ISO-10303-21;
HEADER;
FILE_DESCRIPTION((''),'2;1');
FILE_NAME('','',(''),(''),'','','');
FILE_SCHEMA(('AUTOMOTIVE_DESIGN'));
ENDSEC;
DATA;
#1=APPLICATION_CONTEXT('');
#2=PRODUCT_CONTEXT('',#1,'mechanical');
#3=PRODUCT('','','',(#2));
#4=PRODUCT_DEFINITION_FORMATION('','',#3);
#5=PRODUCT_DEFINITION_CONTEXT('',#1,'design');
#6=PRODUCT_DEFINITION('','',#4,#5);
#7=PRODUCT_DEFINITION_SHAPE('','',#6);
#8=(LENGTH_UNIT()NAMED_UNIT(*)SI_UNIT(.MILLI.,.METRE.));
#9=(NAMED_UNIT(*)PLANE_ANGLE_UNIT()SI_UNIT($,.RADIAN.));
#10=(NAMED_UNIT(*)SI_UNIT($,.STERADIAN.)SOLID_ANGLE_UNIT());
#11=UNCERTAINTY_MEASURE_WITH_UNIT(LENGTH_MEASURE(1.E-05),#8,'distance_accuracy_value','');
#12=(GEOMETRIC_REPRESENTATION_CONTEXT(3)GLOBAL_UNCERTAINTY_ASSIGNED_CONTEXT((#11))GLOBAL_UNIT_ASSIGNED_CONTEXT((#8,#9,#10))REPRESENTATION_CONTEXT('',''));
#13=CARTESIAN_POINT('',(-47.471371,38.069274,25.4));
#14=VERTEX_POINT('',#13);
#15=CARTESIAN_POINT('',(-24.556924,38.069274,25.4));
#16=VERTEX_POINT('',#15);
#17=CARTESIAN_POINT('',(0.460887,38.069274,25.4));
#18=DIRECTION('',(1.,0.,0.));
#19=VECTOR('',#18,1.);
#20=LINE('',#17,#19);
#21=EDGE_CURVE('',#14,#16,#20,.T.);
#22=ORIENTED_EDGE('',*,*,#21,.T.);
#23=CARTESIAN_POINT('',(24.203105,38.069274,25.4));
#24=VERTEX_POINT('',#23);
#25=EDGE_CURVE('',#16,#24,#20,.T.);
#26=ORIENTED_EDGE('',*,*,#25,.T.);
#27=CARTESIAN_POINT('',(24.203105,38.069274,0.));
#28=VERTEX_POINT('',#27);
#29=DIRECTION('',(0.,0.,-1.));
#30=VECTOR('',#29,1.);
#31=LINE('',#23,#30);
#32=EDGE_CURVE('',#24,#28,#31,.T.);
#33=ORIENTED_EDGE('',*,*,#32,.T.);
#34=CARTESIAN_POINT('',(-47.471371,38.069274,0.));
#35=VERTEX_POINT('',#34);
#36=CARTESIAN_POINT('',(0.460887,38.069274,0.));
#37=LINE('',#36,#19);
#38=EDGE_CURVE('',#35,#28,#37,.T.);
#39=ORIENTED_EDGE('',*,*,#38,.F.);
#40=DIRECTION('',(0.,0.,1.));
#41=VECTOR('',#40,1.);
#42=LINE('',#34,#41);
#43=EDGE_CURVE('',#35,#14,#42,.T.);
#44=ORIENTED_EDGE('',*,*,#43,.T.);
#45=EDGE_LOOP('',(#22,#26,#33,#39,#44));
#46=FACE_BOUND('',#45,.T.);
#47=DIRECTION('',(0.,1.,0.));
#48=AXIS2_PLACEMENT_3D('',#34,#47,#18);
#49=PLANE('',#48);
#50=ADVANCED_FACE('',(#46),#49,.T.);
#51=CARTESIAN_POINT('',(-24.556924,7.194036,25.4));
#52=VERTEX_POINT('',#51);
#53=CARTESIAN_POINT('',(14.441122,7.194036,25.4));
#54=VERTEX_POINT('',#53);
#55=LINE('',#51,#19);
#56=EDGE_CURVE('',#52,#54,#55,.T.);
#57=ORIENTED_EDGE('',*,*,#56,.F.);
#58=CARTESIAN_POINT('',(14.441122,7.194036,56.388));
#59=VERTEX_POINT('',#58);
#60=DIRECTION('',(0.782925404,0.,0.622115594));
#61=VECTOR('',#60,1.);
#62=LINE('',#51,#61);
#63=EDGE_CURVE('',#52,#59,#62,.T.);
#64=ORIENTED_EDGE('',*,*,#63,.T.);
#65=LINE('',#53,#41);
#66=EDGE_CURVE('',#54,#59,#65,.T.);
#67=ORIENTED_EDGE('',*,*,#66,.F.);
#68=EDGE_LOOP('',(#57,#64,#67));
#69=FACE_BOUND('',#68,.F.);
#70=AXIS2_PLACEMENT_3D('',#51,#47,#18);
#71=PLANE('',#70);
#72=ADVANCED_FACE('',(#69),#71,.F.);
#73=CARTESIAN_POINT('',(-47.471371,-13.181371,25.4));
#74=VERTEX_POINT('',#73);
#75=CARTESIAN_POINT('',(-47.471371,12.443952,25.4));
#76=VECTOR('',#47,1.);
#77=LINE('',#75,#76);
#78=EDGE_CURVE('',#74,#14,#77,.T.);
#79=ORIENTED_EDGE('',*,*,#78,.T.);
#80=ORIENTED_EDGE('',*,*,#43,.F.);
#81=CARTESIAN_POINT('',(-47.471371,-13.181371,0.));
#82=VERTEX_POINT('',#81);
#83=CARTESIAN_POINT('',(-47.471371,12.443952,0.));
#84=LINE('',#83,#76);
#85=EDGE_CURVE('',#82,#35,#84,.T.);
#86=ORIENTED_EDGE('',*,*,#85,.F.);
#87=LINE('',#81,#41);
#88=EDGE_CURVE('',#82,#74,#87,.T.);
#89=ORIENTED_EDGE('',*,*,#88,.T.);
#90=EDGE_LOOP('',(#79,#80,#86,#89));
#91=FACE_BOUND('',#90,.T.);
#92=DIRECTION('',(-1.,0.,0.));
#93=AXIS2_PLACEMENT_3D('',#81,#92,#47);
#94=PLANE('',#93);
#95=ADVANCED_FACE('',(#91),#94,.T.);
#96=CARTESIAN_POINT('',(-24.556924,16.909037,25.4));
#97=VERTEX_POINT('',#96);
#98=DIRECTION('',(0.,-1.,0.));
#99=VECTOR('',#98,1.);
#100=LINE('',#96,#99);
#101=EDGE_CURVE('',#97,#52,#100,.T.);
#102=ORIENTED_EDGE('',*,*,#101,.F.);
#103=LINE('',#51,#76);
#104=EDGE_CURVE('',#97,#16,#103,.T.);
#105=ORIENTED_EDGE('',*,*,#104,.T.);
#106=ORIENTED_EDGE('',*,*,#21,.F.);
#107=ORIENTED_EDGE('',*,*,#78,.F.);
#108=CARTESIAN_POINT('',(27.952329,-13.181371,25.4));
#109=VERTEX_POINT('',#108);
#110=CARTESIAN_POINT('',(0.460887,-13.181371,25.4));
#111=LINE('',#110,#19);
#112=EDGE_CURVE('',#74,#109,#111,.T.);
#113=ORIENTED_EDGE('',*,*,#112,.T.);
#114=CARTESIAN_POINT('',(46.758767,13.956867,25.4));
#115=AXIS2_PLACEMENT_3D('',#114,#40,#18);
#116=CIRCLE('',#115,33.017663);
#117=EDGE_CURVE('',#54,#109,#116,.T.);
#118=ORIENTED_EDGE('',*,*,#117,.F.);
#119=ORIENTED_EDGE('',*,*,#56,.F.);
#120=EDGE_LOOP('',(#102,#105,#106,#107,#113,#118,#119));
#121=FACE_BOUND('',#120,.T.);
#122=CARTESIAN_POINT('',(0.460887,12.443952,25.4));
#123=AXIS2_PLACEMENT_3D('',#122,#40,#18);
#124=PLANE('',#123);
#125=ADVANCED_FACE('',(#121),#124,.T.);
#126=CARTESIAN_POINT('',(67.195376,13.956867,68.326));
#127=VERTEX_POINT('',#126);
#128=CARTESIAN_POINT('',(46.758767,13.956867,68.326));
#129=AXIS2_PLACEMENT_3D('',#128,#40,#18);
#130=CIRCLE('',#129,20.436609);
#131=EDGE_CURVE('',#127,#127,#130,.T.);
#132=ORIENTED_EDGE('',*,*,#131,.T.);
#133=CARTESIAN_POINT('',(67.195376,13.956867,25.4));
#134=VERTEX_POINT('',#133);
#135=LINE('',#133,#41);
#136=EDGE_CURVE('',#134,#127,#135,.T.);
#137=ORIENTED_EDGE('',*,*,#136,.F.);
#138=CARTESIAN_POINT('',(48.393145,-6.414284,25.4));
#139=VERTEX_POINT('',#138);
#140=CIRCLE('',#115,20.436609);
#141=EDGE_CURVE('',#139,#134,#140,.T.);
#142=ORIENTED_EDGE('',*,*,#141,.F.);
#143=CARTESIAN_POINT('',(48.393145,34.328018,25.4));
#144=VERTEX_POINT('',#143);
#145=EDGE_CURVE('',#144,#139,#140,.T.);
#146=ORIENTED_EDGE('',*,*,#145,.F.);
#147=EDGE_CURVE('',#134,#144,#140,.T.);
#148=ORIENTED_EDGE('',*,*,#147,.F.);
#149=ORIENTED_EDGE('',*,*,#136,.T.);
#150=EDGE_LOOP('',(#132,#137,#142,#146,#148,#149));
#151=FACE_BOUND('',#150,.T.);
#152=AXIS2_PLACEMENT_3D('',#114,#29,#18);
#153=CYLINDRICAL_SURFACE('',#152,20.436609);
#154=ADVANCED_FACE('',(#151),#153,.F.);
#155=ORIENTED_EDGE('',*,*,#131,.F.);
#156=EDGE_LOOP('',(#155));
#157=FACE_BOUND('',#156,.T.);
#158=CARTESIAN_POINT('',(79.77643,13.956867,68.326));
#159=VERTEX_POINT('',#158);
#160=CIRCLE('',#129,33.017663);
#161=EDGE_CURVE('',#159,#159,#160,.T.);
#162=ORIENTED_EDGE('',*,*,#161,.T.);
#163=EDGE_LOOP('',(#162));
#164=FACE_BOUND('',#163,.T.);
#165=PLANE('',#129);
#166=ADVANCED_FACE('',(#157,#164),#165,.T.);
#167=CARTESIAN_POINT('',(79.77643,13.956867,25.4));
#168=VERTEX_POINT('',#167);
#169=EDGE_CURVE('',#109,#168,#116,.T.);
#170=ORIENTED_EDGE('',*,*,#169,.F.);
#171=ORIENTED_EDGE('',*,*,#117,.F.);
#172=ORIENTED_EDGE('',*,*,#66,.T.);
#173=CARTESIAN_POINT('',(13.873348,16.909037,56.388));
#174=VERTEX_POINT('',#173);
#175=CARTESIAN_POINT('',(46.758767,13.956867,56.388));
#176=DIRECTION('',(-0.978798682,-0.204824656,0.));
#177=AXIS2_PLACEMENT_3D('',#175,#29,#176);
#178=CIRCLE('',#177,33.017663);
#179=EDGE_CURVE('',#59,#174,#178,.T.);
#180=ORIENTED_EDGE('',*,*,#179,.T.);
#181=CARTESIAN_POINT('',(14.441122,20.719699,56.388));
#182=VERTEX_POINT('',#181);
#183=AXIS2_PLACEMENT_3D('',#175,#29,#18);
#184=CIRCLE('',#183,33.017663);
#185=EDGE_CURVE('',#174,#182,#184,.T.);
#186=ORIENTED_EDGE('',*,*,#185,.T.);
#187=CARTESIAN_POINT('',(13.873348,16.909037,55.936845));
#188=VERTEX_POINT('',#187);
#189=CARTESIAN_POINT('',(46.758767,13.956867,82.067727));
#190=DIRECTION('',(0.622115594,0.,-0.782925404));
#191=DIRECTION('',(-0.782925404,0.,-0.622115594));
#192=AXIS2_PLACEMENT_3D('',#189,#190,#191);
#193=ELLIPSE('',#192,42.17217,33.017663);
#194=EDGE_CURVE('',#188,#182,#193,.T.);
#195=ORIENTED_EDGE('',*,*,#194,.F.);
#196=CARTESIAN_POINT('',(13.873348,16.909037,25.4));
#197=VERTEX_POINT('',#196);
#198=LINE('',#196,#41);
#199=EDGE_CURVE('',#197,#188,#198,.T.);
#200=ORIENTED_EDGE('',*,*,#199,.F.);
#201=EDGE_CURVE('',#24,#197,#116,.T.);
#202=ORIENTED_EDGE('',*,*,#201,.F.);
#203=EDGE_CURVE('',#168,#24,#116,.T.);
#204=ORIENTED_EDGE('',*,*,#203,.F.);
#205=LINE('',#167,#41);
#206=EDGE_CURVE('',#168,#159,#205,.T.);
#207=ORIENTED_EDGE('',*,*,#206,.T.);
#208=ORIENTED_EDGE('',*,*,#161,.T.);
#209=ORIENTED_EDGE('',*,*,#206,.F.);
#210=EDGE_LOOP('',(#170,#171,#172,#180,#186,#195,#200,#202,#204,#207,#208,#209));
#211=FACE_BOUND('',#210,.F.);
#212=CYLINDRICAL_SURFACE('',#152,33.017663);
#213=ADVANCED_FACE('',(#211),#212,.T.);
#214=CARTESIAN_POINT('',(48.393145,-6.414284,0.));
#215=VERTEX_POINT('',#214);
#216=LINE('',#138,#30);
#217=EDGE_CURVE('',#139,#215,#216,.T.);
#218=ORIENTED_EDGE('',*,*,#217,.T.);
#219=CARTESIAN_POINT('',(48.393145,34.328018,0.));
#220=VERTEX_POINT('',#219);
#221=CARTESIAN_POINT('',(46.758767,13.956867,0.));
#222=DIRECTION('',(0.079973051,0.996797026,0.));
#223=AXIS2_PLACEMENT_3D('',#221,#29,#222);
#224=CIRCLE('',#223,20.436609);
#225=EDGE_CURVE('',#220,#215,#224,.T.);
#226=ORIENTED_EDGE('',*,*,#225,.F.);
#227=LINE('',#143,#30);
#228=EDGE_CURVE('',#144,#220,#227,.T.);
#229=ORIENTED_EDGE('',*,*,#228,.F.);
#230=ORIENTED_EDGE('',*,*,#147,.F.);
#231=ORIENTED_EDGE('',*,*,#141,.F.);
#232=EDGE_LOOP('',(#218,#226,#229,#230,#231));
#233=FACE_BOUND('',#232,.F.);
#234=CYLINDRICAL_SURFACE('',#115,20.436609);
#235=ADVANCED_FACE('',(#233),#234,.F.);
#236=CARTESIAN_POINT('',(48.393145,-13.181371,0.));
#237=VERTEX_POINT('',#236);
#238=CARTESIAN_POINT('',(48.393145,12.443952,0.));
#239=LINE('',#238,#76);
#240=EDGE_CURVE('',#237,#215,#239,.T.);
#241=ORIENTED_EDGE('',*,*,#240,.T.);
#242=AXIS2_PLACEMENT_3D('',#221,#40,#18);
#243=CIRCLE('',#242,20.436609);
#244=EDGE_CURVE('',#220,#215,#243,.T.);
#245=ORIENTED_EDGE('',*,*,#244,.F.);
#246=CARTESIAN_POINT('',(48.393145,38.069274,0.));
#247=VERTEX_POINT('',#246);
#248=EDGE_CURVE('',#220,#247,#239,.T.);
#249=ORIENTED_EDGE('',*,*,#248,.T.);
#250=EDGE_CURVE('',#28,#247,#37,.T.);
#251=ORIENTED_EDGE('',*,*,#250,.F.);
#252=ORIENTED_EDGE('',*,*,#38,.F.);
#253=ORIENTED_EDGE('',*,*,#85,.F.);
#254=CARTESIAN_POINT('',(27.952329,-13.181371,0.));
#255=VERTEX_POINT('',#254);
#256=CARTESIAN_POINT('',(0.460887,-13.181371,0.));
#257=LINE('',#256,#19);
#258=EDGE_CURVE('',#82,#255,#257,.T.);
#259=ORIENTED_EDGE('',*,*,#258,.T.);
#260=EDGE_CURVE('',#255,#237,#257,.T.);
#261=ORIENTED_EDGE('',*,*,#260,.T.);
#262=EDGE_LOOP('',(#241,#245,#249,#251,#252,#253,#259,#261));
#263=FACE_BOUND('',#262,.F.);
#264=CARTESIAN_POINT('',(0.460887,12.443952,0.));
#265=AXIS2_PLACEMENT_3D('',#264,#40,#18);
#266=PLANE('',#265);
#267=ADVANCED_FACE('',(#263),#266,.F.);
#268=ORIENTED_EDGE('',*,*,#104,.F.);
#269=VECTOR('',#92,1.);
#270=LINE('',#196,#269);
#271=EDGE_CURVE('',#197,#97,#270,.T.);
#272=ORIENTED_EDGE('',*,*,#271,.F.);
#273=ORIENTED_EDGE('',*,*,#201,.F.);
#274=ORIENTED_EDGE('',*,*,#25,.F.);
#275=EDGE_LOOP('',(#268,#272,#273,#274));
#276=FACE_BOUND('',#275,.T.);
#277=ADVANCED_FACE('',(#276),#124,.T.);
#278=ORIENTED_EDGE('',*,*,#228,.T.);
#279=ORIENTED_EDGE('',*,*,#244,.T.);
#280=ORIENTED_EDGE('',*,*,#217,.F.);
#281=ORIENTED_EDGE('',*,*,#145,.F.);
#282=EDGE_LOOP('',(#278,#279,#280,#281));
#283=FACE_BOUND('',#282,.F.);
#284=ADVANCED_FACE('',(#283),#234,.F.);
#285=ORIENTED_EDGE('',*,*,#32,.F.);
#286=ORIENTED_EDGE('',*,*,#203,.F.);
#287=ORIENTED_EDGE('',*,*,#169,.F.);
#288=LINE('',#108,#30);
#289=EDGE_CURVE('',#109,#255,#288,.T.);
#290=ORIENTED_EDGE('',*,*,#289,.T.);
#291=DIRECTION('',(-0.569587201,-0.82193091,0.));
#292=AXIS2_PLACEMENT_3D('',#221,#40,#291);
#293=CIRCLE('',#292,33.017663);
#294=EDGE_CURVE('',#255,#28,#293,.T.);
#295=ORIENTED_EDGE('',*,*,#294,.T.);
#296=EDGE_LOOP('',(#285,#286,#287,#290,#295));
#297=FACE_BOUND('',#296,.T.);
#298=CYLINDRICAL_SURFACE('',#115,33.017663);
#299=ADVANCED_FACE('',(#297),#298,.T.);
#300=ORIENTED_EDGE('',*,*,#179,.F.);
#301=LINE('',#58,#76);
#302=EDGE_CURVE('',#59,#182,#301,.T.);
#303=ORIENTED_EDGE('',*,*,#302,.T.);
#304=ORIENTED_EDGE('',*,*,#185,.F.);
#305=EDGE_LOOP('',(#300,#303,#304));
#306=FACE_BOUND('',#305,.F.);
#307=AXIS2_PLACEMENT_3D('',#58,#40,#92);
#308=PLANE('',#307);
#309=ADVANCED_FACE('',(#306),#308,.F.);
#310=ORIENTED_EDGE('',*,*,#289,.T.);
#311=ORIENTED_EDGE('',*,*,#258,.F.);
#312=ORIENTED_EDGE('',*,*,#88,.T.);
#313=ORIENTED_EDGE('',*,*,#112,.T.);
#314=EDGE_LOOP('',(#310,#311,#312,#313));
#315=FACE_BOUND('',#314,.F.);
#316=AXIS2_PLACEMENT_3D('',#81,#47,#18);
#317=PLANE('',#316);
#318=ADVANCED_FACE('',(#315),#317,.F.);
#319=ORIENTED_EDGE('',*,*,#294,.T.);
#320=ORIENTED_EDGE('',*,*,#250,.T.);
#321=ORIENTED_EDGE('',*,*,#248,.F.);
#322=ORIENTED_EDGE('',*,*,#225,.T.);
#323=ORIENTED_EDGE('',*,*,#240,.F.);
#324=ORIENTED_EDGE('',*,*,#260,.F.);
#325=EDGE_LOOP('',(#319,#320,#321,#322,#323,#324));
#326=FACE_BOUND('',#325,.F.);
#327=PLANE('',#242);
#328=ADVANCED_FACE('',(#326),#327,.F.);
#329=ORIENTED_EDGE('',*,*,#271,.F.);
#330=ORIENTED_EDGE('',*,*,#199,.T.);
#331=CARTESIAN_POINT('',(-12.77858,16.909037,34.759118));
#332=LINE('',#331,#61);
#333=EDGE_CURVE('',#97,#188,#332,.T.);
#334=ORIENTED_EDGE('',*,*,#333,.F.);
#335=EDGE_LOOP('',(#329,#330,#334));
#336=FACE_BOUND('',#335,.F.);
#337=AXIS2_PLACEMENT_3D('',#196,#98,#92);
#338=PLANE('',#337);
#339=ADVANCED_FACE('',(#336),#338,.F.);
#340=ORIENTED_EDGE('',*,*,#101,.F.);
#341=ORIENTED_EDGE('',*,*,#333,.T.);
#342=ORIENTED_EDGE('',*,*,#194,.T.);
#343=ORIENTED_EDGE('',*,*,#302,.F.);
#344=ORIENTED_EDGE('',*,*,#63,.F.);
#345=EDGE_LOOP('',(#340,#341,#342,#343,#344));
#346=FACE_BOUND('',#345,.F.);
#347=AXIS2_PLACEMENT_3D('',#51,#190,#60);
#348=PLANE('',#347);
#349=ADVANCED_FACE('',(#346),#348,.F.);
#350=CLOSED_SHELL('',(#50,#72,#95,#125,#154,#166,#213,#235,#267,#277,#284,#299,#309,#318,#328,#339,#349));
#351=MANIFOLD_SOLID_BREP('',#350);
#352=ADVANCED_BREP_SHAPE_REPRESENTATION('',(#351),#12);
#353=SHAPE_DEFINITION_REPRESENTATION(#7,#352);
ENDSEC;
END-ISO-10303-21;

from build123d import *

# Parameters (mm, degrees)
F0_W     = 95.8645157516
F0_H     = 51.2506449595
F1_DEPTH = 25.4
F2_R     = 33.0176630578
F2_R_2   = 20.4366091001
F3_DEPTH = 42.926
F4_DEPTH = 25.4
F5_DEPTH = 26.67
F7_DEPTH = 30.988
F9_DEPTH = 69.596


with BuildPart() as f1:
    # F0 (on Top) → F1 (new body)
    with BuildSketch(Plane.XY):
        with Locations((0.4608873278, 12.4439517967)):
            Rectangle(F0_W, F0_H)
    extrude(amount=F1_DEPTH)

    # F2 (on face) → F3 (join)
    with BuildSketch(Plane.XY.offset(25.4)):
        with Locations((46.7587672174, 13.9568671584)):
            Circle(F2_R)
        with Locations((46.7587672174, 13.9568671584)):
            Circle(F2_R_2, mode=Mode.SUBTRACT)
    extrude(amount=F3_DEPTH)

    # F4 (add): a face of the model
    f4_faces = [f1.faces().sort_by_distance(p)[0] for p in [
        (61.6753891644, -14.5284210857, 25.4),
    ]]
    extrude(f4_faces, amount=F4_DEPTH)

    # F5 (cut): a face of the model
    f5_faces = [f1.faces().sort_by_distance(p)[0] for p in [
        (38.9613968277, 13.9568671584, 25.4),
    ]]
    extrude(f5_faces, amount=-F5_DEPTH, mode=Mode.SUBTRACT)

    # F6 (on face) → F7 (join)
    with BuildSketch(Plane.XY.offset(25.4)):
        with BuildLine():
            Line((-24.5569236669, 16.9090367761), (-24.5569236669, 7.1940356866))
            Line((-24.5569236669, 7.1940356866), (14.4411221256, 7.1940356866))
            ThreePointArc((14.4411221256, 7.1940356866), (13.797347404, 12.0305033086), (13.8733484372, 16.9090367761))
            Line((13.8733484372, 16.9090367761), (-24.5569236669, 16.9090367761))
        make_face()
    extrude(amount=F7_DEPTH)

    # F8 (on face) → F9 (cut)
    with BuildSketch(Plane.XZ.offset(-7.1940356866)):
        Polygon((-24.5569236669, 56.388), (-24.5569236669, 25.4), (14.4411221256, 56.388), align=None)
    extrude(amount=-F9_DEPTH, mode=Mode.SUBTRACT)


solid = f1.part
